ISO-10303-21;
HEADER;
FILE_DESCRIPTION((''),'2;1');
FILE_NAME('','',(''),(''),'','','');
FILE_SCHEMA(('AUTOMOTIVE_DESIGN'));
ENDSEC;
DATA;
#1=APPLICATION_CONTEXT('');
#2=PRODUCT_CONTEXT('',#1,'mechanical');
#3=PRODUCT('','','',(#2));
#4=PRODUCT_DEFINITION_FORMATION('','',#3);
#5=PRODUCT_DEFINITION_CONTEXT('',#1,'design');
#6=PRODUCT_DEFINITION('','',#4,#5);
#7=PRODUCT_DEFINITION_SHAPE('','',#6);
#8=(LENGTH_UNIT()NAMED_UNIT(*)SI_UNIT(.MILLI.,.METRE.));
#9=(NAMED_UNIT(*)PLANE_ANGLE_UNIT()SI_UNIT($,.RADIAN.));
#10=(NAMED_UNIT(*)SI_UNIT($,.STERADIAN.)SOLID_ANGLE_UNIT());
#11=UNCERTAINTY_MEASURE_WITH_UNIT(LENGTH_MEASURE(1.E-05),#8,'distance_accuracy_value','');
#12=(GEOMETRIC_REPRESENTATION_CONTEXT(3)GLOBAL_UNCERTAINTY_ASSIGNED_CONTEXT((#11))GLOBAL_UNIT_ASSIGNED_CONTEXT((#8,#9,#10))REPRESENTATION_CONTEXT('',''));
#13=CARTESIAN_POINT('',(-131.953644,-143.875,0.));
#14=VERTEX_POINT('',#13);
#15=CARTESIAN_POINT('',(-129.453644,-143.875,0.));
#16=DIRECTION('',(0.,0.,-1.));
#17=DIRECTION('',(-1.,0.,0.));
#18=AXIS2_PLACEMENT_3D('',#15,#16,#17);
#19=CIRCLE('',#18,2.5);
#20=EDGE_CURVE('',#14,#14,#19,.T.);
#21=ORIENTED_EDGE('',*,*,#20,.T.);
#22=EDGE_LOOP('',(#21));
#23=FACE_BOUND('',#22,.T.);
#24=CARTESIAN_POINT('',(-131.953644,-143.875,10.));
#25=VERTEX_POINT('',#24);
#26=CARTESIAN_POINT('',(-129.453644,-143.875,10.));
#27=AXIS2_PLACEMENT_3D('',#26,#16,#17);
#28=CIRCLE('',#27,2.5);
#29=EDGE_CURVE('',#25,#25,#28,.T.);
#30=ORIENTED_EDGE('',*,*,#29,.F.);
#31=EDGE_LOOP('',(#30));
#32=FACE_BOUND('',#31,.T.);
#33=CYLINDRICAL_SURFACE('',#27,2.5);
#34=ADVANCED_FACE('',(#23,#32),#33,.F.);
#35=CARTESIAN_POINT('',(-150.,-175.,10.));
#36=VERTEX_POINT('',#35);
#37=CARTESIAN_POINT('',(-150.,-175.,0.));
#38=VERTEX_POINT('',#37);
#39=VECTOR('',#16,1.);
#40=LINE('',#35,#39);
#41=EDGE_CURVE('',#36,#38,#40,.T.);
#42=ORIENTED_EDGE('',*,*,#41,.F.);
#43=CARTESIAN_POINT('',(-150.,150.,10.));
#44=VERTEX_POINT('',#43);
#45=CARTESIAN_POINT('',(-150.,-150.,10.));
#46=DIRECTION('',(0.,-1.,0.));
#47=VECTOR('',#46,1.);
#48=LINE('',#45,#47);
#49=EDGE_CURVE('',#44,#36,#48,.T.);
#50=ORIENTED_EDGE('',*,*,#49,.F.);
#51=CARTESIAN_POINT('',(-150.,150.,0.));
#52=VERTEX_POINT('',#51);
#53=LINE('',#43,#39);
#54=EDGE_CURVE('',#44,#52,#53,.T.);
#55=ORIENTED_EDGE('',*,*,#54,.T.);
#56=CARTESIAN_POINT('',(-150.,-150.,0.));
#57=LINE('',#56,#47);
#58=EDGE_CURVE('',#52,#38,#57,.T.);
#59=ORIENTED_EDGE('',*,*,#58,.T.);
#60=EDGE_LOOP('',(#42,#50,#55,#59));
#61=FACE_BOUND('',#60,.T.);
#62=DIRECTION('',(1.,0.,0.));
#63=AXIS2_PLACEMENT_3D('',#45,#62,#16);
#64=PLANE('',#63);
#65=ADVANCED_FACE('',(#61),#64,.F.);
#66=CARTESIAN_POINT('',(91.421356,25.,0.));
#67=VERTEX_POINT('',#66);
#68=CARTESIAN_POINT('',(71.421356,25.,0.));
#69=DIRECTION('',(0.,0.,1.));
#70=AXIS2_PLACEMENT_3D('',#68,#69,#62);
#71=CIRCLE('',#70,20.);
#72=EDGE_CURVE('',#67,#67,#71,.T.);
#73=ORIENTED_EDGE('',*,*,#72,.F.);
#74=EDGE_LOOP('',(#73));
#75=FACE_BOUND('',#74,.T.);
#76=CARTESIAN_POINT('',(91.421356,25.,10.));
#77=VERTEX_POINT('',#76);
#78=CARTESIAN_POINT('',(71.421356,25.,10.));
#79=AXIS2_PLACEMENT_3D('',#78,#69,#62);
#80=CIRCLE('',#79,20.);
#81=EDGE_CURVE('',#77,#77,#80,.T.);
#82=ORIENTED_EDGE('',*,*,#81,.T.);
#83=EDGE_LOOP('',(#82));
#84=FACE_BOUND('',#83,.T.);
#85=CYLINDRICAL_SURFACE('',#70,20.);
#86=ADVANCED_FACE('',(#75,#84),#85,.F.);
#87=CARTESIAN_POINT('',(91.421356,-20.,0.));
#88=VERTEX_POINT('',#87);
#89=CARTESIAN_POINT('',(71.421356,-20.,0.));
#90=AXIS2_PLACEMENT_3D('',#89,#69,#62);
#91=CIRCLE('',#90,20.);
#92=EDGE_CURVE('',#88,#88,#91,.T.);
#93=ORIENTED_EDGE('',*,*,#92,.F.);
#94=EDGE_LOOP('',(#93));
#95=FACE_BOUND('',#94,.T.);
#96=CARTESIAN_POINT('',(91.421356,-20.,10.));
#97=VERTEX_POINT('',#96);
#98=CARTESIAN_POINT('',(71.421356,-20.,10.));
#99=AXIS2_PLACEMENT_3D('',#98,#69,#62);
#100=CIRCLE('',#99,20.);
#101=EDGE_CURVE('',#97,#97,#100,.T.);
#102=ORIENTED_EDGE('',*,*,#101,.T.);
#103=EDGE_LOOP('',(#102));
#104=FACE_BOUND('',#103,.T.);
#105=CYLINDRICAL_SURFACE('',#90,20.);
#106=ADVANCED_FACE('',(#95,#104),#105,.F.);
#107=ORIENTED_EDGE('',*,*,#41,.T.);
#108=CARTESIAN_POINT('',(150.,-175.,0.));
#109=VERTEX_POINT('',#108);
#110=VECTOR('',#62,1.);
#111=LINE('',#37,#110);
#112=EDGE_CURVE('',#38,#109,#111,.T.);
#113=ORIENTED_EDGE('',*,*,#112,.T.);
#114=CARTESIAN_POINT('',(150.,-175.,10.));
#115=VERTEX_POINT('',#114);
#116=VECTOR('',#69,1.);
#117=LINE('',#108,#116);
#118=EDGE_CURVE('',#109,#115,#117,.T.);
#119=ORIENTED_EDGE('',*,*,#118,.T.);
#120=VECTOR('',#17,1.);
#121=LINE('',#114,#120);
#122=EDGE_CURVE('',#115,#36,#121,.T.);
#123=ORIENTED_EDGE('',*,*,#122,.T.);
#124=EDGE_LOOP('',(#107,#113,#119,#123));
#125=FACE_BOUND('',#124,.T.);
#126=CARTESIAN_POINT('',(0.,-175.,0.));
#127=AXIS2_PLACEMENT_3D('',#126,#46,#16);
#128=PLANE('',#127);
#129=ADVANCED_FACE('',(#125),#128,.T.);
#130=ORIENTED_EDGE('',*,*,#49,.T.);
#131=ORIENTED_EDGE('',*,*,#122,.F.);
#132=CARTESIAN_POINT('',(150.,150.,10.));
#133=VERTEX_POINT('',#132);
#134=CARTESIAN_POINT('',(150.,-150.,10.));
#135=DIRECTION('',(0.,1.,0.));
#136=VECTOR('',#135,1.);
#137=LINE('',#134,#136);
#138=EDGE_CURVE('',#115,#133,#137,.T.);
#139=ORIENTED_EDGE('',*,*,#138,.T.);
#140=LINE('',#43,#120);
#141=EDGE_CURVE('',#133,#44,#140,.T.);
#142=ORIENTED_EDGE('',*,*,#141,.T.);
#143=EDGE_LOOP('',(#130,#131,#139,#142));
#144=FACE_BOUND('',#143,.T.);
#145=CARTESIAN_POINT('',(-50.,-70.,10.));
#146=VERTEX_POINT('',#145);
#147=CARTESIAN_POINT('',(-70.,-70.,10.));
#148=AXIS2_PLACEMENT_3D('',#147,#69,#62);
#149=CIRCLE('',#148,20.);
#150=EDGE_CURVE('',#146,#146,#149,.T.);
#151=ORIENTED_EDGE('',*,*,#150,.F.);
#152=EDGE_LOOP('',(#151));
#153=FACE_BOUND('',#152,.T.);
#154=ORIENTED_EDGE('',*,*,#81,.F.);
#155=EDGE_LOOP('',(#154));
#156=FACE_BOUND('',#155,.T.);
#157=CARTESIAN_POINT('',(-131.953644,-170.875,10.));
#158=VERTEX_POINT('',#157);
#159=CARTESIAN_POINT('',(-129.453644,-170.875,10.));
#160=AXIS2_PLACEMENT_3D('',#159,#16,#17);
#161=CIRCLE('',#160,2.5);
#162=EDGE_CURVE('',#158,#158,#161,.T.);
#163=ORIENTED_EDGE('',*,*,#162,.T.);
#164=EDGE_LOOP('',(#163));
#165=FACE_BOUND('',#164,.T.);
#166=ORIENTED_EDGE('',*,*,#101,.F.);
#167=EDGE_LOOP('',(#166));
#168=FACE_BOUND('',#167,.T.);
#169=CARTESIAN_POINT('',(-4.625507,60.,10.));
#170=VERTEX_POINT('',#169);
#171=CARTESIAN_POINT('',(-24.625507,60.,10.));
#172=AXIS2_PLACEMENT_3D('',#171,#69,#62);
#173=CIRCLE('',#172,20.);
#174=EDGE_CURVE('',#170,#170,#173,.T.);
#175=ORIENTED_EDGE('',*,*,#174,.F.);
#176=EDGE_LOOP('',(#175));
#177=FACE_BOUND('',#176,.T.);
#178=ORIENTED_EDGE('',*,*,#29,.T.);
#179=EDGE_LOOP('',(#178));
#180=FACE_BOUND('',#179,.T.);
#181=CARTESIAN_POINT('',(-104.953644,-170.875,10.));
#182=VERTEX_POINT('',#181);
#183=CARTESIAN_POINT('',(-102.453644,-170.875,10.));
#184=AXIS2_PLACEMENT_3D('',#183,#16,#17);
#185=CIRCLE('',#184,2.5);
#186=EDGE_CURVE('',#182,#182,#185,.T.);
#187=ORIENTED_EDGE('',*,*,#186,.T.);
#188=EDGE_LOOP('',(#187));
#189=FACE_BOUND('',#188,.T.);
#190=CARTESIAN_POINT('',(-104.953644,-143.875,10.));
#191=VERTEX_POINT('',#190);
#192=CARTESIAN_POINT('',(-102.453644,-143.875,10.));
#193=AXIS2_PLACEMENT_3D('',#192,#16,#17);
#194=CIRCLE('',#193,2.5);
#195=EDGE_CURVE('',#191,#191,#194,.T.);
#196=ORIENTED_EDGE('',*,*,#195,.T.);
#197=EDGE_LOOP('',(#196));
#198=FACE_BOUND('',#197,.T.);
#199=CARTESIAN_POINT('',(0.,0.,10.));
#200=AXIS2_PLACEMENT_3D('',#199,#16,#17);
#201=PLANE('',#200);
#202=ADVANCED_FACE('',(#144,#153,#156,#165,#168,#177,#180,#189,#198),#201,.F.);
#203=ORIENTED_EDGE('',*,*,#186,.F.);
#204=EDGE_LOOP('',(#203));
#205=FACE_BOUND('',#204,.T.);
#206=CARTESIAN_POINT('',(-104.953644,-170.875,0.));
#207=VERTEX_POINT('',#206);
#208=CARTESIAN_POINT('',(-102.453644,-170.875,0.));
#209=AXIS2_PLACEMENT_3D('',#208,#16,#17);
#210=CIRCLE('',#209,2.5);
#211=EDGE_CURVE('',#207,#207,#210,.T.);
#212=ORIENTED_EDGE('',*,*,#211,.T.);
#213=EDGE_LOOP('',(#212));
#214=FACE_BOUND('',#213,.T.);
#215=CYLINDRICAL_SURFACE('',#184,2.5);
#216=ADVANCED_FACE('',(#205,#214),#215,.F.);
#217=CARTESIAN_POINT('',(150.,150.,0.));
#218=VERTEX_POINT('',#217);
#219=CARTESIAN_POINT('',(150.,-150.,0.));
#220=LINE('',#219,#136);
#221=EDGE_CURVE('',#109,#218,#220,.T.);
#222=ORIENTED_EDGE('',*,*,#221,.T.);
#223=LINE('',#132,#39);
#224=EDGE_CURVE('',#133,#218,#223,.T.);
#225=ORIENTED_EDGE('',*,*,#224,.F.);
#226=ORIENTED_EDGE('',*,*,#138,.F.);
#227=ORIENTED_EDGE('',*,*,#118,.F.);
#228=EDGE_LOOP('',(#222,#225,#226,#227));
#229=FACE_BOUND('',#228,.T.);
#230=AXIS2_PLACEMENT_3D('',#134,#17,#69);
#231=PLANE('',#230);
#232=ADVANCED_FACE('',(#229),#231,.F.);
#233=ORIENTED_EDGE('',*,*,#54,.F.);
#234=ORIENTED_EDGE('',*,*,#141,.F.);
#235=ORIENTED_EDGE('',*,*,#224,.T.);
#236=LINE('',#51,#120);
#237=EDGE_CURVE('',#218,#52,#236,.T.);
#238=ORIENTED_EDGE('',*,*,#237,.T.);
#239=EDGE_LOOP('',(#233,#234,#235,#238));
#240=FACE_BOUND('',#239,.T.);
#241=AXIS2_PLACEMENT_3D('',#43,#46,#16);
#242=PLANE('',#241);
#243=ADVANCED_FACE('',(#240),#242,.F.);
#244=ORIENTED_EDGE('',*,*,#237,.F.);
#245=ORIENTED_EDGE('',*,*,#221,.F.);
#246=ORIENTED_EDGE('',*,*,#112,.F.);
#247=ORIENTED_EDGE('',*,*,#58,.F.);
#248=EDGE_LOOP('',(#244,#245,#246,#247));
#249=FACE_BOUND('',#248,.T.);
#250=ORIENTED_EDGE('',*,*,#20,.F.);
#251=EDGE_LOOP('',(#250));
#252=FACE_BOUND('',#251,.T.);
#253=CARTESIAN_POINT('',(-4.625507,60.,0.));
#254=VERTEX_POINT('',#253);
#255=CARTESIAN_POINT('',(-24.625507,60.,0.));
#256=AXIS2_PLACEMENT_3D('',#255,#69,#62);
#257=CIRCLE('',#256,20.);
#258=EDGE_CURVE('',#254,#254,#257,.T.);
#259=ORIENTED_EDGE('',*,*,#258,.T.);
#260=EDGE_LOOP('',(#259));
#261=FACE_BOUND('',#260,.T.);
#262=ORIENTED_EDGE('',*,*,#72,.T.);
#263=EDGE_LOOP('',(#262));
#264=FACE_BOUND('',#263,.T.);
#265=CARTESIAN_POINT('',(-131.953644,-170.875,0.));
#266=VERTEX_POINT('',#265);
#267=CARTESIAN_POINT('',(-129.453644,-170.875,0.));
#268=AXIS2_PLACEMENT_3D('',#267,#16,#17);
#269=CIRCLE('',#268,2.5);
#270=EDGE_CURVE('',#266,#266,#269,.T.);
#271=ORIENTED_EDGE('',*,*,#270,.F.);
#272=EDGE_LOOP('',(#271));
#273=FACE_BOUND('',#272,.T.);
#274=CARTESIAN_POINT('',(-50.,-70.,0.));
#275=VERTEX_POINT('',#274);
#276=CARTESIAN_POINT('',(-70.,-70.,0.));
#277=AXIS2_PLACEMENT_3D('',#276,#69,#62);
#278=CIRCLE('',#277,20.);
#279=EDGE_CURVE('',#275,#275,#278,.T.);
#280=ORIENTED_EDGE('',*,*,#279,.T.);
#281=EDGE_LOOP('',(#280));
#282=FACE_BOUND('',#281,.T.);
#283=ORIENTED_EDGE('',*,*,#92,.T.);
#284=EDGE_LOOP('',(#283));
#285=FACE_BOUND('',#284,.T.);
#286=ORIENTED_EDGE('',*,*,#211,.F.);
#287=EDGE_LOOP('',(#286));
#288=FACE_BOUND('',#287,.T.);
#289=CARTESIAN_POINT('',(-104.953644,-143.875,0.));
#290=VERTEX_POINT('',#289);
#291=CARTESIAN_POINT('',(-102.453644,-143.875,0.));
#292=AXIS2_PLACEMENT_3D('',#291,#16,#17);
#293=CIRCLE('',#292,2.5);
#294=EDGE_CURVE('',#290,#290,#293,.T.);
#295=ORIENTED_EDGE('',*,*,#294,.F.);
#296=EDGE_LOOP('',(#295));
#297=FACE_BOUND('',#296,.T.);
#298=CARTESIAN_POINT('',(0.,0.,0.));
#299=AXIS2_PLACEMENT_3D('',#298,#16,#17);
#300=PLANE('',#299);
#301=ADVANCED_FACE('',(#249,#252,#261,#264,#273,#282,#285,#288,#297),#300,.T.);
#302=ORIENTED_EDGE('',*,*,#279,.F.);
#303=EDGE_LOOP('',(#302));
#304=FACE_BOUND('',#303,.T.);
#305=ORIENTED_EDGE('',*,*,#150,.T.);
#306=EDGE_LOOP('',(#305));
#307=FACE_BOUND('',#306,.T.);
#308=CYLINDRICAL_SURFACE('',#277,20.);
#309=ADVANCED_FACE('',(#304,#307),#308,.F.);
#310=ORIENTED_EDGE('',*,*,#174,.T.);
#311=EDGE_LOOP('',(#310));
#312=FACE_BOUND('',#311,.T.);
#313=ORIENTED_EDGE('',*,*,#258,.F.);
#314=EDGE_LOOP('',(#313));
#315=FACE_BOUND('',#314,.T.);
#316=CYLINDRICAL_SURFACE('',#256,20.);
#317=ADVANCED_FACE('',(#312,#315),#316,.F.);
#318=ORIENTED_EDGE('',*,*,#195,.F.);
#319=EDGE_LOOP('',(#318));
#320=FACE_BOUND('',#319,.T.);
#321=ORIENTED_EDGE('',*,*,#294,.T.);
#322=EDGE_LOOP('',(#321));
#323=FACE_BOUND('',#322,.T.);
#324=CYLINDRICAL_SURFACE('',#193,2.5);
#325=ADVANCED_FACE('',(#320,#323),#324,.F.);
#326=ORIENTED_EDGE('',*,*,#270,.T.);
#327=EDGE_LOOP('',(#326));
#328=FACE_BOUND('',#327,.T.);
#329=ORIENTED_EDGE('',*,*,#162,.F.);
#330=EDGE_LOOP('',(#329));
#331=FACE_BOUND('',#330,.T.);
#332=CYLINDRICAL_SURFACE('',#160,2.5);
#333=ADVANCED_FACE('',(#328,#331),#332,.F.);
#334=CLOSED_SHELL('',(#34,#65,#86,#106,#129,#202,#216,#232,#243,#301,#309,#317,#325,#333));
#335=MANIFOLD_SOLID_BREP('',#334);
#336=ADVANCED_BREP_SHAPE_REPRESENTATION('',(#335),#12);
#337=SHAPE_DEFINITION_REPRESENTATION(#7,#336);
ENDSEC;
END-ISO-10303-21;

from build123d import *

# Parameters (mm, degrees)
SKETCH_1_W          = 300
SKETCH_1_H          = 300
EXTRUDE_1_DEPTH     = 10
SKETCH_2_R          = 20
CUT_EXTRUDE_1_DEPTH = 213.367605816
SKETCH_5_W          = 300
SKETCH_5_H          = 10
EXTRUDE_2_DEPTH     = 25
SKETCH_7_R          = 2.5
CUT_EXTRUDE_5_DEPTH = 231.705439901


with BuildPart() as part:
    # 草图1 → 凸台-拉伸1 (new body)
    with BuildSketch(Plane.XY):
        Rectangle(SKETCH_1_W, SKETCH_1_H)
    extrude(amount=EXTRUDE_1_DEPTH)

    # 草图2 → 切除-拉伸1 (cut, through all)
    with BuildSketch(Plane.XY.offset(10)):
        with Locations((-70, -70)):
            Circle(SKETCH_2_R)
        with Locations((71.421356237, -20)):
            Circle(SKETCH_2_R)
        with Locations((-24.625507324, 60)):
            Circle(SKETCH_2_R)
        with Locations((71.421356237, 25)):
            Circle(SKETCH_2_R)
    extrude(amount=-CUT_EXTRUDE_1_DEPTH, mode=Mode.SUBTRACT)

    # 草图5 → 凸台-拉伸2 (add)
    with BuildSketch(Plane.XZ.offset(150)):
        with Locations((0, 5)):
            Rectangle(SKETCH_5_W, SKETCH_5_H)
    extrude(amount=EXTRUDE_2_DEPTH)

    # 草图7 → 切除-拉伸5 (cut, through all)
    with BuildSketch(Plane(origin=(0, 0, 0), x_dir=(-1, 0, 0), z_dir=(0, 0, -1))):
        with Locations((129.453643763, -143.875)):
            Circle(SKETCH_7_R)
        with Locations((102.453643763, -143.875)):
            Circle(SKETCH_7_R)
        with Locations((129.453643763, -170.875)):
            Circle(SKETCH_7_R)
        with Locations((102.453643763, -170.875)):
            Circle(SKETCH_7_R)
    extrude(amount=-CUT_EXTRUDE_5_DEPTH, mode=Mode.SUBTRACT)


solid = part.part
